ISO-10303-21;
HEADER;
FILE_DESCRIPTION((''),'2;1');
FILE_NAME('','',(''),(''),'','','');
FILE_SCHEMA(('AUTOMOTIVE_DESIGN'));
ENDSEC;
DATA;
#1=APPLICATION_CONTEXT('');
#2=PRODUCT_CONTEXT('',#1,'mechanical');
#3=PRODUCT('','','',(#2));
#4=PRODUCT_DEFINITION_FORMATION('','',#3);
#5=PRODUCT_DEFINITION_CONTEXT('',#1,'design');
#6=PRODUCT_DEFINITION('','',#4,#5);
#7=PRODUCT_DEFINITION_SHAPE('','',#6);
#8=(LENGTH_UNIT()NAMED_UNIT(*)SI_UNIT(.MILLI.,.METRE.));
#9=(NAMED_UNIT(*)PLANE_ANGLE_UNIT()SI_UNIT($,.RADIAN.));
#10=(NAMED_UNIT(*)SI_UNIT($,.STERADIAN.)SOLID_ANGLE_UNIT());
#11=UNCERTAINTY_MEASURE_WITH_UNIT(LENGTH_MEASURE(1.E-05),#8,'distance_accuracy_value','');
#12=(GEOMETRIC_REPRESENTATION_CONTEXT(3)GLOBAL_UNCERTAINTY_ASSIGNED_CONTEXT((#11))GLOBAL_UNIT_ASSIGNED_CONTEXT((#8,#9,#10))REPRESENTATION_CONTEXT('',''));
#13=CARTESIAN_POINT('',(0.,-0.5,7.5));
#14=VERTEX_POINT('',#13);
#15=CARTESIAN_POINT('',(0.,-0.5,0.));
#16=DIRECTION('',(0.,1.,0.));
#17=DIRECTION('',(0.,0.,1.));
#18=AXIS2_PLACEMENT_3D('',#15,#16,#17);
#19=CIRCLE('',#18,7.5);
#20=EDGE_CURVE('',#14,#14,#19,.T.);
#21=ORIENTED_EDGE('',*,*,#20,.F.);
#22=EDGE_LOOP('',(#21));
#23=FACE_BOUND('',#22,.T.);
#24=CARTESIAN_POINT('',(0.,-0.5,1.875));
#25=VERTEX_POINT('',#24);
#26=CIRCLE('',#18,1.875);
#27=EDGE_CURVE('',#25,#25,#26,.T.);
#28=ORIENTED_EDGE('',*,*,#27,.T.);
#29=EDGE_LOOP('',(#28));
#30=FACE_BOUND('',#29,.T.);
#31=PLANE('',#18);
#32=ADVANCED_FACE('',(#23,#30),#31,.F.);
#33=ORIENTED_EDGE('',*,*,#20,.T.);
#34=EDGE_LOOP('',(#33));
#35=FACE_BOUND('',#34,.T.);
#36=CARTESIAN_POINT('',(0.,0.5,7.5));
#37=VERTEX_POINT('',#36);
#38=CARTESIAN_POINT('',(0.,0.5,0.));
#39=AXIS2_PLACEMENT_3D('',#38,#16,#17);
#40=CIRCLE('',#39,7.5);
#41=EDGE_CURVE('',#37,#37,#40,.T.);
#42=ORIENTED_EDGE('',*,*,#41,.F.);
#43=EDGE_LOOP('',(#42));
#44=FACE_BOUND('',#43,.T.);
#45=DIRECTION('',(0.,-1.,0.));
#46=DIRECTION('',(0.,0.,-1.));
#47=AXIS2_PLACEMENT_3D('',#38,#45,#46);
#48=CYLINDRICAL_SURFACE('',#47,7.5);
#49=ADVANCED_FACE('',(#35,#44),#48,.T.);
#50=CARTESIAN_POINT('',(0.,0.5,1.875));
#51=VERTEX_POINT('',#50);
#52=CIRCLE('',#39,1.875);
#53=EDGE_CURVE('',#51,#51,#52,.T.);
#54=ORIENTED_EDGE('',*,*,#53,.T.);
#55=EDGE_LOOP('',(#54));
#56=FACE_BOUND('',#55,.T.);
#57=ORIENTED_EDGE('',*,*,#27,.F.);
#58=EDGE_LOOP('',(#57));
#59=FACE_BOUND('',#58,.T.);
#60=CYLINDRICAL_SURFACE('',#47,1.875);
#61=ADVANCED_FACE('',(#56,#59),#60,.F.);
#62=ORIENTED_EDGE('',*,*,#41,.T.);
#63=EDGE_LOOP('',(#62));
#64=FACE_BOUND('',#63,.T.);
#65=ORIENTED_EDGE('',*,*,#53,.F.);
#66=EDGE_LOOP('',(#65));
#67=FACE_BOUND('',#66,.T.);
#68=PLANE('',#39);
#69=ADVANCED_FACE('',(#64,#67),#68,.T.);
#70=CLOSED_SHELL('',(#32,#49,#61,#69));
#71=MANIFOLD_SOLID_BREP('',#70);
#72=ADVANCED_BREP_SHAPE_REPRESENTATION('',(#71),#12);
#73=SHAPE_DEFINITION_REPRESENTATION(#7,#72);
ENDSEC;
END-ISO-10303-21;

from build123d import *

# Parameters (mm, degrees)
SKETCH1_R           = 7.5
SKETCH1_R_2         = 1.875
BOSS_EXTRUDE1_DEPTH = 0.5


with BuildPart() as part:
    # Sketch1 → Boss-Extrude1 (new body, symmetric)
    with BuildSketch(Plane(origin=(0, 0, 0), x_dir=(1, 0, 0), z_dir=(0, 1, 0))):
        Circle(SKETCH1_R)
        Circle(SKETCH1_R_2, mode=Mode.SUBTRACT)
    extrude(amount=BOSS_EXTRUDE1_DEPTH, both=True)


solid = part.part
